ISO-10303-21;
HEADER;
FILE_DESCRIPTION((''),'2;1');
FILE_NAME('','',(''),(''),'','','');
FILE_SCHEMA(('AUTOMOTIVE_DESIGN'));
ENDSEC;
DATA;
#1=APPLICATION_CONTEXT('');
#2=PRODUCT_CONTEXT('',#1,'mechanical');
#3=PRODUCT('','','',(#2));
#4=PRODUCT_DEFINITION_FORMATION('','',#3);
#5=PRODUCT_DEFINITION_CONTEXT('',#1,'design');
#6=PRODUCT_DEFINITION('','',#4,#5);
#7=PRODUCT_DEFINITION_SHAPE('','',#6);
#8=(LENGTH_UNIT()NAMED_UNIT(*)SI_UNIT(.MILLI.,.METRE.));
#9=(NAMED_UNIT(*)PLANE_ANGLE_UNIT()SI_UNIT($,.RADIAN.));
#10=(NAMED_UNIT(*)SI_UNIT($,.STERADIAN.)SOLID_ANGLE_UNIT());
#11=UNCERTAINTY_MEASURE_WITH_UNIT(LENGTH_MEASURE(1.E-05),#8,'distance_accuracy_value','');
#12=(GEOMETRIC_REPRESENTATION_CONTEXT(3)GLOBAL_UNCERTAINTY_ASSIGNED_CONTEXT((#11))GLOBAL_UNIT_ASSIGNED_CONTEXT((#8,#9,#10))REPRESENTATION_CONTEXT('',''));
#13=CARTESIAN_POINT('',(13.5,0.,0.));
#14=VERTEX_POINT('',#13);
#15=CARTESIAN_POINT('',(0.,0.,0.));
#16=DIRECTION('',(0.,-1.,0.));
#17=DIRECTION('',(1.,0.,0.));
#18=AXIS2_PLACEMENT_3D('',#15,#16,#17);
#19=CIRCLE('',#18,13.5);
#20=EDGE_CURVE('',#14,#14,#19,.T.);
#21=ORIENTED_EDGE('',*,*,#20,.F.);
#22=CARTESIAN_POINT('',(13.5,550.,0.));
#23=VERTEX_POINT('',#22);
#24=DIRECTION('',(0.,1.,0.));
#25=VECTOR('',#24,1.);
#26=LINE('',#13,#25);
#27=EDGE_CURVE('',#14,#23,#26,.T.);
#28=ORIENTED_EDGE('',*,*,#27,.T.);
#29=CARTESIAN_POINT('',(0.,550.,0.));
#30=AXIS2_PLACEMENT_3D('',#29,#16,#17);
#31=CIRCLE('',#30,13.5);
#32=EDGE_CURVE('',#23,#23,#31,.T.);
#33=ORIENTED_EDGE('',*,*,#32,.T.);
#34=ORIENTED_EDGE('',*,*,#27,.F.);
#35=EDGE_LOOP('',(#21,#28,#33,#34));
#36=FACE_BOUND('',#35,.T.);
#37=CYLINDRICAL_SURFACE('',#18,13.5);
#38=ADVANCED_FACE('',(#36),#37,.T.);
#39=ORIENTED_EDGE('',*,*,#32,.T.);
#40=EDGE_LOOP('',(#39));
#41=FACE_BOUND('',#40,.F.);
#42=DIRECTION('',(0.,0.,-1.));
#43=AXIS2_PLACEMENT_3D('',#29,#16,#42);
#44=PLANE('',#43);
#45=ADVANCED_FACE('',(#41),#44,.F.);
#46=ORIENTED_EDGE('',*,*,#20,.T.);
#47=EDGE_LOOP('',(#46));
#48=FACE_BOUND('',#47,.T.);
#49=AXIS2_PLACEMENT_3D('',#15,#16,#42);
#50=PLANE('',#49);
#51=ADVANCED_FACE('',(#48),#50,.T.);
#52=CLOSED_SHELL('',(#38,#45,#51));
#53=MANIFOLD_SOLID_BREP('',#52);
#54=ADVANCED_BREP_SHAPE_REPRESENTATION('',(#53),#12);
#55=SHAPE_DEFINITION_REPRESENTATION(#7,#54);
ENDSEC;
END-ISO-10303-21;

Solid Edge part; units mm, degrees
sketch "Sketch1" plane through (0, 0, 0) normal (0, -1, 0) x (1, 0, 0)
  circle A0 centre (0, 0) radius 13.5
extrude "Protrusion1" add sketch "Sketch1" against normal blind 550
